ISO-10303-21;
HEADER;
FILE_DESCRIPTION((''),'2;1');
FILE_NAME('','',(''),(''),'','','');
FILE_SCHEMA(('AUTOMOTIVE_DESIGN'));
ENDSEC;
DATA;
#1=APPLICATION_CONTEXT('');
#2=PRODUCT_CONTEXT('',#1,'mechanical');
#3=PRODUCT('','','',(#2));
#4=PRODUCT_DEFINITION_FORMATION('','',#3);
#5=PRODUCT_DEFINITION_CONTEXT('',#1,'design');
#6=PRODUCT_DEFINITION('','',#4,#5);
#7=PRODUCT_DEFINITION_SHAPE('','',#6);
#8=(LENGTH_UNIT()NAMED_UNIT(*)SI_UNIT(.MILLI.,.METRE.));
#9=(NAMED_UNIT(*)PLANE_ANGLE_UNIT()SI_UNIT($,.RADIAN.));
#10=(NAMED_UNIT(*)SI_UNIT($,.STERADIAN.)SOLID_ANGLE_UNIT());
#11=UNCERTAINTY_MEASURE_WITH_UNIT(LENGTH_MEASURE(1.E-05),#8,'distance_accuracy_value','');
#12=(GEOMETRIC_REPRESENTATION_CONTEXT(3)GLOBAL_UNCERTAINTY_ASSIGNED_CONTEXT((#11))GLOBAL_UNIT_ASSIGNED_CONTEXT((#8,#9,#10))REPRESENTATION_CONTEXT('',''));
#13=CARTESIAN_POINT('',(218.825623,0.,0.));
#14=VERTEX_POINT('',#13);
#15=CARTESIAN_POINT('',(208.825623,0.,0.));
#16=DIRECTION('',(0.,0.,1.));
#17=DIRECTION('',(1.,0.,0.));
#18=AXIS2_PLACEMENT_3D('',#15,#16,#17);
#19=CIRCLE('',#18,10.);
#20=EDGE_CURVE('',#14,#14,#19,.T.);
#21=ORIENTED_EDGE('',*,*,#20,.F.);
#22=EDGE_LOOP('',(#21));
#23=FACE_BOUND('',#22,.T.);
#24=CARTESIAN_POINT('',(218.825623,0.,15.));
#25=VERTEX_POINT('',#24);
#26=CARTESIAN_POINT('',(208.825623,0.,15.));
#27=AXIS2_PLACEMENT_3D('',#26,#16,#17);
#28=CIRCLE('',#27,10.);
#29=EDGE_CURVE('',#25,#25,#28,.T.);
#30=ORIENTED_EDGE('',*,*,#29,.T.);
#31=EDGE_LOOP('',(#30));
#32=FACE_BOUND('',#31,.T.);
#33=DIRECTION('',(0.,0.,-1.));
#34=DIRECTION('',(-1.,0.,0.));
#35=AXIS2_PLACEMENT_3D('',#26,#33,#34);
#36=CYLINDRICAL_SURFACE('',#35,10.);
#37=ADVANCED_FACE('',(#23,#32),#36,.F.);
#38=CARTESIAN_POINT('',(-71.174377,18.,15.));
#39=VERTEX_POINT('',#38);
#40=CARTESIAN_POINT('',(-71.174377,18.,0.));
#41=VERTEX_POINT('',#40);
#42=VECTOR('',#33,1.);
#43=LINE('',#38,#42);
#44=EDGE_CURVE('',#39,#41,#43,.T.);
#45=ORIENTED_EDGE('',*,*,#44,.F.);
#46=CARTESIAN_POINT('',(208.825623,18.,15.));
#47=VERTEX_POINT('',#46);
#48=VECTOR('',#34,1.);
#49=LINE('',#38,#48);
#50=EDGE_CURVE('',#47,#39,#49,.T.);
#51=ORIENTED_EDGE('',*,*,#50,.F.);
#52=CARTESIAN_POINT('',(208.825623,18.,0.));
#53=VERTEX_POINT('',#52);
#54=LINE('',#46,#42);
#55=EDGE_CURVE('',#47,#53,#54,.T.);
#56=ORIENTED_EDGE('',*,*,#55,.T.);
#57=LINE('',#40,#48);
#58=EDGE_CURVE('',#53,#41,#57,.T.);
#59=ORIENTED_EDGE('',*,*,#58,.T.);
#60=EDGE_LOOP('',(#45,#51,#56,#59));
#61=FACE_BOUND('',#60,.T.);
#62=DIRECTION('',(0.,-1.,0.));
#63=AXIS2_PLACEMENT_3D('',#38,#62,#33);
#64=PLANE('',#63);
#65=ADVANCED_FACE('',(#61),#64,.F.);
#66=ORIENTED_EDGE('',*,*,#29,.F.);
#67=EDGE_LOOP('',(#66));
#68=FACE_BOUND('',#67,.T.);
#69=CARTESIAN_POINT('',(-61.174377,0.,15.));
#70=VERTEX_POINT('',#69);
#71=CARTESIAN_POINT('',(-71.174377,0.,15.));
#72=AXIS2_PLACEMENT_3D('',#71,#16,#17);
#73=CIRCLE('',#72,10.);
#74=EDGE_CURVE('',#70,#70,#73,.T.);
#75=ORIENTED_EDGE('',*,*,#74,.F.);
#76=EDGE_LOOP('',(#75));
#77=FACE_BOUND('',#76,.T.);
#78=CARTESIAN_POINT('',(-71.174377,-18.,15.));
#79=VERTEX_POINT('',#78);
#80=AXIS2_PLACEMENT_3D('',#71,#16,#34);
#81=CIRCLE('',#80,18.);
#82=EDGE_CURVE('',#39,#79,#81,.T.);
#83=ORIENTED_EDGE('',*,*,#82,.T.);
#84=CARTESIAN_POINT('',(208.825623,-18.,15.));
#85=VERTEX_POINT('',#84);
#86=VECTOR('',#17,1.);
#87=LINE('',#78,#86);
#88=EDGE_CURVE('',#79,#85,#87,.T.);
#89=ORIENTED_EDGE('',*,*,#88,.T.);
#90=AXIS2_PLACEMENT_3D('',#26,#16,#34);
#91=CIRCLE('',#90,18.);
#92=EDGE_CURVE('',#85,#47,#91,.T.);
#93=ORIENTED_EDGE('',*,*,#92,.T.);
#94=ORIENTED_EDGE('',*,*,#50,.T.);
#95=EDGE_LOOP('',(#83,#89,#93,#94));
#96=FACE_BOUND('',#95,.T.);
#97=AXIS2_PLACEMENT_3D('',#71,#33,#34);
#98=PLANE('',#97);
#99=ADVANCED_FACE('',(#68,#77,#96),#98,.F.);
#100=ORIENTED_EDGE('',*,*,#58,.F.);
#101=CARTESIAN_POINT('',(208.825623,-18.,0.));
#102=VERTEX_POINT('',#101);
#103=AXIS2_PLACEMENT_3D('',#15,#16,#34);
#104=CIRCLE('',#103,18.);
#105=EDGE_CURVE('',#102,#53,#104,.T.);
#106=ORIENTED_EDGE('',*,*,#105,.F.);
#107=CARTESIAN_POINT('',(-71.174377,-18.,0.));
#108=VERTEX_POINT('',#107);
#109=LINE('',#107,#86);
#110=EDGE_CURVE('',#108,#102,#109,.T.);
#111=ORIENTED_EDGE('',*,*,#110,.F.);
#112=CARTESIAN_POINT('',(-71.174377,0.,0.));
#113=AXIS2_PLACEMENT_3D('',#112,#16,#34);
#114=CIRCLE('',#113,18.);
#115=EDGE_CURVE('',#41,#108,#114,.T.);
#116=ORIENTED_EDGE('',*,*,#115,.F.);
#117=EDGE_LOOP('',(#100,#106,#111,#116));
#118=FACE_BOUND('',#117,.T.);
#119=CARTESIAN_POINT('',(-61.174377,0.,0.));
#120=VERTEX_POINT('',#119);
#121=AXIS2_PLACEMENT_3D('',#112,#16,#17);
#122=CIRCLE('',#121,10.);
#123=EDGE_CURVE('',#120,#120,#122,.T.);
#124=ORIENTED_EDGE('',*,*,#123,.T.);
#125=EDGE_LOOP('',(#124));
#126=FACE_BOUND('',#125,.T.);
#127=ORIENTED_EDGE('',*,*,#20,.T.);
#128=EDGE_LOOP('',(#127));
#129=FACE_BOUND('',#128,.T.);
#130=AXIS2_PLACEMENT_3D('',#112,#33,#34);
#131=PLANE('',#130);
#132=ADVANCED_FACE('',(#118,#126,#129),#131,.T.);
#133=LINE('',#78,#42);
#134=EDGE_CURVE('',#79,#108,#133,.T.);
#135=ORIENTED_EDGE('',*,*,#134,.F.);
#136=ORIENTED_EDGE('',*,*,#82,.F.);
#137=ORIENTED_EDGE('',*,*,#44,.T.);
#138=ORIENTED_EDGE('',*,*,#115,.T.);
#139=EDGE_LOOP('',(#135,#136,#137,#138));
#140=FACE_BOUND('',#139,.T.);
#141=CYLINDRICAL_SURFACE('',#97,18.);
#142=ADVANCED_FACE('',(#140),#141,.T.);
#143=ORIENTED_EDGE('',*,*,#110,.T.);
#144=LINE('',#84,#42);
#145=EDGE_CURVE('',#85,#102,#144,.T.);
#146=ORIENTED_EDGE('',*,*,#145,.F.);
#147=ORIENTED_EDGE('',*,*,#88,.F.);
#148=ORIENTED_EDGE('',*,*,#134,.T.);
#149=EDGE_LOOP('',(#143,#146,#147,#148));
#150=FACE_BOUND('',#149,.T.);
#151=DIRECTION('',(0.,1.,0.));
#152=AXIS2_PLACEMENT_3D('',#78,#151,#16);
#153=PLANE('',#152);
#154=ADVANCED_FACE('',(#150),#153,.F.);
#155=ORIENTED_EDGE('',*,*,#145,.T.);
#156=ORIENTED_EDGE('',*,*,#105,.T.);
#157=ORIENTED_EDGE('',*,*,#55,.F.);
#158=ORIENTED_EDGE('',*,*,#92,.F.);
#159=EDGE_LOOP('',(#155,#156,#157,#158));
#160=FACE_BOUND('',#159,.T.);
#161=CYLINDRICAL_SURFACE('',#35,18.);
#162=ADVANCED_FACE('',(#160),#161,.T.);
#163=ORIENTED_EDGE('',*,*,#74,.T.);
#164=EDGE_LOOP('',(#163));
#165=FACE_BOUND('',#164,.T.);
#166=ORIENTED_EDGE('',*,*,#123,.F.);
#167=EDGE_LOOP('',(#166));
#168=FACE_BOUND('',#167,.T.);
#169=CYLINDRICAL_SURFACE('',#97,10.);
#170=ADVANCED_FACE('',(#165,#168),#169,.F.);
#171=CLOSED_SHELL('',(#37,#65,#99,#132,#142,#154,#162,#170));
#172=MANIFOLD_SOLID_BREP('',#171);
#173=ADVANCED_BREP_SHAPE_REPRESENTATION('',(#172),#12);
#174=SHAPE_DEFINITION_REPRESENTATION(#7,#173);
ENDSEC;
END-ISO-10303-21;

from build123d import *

# Parameters (mm, degrees)
ESQUISSE1_R        = 10
BOSS_EXTRU_1_DEPTH = 15


with BuildPart() as part:
    # Esquisse1 → Boss.-Extru.1 (new body)
    with BuildSketch(Plane.XY):
        with BuildLine():
            Line((-71.174377259, 18), (208.825622741, 18))
            ThreePointArc((208.825622741, 18), (226.825622741, 0), (208.825622741, -18))
            Line((208.825622741, -18), (-71.174377259, -18))
            ThreePointArc((-71.174377259, -18), (-89.174377259, 0), (-71.174377259, 18))
        make_face()
        with Locations((-71.174377259, 0)):
            Circle(ESQUISSE1_R, mode=Mode.SUBTRACT)
        with Locations((208.825622741, 0)):
            Circle(ESQUISSE1_R, mode=Mode.SUBTRACT)
    extrude(amount=BOSS_EXTRU_1_DEPTH)


solid = part.part
